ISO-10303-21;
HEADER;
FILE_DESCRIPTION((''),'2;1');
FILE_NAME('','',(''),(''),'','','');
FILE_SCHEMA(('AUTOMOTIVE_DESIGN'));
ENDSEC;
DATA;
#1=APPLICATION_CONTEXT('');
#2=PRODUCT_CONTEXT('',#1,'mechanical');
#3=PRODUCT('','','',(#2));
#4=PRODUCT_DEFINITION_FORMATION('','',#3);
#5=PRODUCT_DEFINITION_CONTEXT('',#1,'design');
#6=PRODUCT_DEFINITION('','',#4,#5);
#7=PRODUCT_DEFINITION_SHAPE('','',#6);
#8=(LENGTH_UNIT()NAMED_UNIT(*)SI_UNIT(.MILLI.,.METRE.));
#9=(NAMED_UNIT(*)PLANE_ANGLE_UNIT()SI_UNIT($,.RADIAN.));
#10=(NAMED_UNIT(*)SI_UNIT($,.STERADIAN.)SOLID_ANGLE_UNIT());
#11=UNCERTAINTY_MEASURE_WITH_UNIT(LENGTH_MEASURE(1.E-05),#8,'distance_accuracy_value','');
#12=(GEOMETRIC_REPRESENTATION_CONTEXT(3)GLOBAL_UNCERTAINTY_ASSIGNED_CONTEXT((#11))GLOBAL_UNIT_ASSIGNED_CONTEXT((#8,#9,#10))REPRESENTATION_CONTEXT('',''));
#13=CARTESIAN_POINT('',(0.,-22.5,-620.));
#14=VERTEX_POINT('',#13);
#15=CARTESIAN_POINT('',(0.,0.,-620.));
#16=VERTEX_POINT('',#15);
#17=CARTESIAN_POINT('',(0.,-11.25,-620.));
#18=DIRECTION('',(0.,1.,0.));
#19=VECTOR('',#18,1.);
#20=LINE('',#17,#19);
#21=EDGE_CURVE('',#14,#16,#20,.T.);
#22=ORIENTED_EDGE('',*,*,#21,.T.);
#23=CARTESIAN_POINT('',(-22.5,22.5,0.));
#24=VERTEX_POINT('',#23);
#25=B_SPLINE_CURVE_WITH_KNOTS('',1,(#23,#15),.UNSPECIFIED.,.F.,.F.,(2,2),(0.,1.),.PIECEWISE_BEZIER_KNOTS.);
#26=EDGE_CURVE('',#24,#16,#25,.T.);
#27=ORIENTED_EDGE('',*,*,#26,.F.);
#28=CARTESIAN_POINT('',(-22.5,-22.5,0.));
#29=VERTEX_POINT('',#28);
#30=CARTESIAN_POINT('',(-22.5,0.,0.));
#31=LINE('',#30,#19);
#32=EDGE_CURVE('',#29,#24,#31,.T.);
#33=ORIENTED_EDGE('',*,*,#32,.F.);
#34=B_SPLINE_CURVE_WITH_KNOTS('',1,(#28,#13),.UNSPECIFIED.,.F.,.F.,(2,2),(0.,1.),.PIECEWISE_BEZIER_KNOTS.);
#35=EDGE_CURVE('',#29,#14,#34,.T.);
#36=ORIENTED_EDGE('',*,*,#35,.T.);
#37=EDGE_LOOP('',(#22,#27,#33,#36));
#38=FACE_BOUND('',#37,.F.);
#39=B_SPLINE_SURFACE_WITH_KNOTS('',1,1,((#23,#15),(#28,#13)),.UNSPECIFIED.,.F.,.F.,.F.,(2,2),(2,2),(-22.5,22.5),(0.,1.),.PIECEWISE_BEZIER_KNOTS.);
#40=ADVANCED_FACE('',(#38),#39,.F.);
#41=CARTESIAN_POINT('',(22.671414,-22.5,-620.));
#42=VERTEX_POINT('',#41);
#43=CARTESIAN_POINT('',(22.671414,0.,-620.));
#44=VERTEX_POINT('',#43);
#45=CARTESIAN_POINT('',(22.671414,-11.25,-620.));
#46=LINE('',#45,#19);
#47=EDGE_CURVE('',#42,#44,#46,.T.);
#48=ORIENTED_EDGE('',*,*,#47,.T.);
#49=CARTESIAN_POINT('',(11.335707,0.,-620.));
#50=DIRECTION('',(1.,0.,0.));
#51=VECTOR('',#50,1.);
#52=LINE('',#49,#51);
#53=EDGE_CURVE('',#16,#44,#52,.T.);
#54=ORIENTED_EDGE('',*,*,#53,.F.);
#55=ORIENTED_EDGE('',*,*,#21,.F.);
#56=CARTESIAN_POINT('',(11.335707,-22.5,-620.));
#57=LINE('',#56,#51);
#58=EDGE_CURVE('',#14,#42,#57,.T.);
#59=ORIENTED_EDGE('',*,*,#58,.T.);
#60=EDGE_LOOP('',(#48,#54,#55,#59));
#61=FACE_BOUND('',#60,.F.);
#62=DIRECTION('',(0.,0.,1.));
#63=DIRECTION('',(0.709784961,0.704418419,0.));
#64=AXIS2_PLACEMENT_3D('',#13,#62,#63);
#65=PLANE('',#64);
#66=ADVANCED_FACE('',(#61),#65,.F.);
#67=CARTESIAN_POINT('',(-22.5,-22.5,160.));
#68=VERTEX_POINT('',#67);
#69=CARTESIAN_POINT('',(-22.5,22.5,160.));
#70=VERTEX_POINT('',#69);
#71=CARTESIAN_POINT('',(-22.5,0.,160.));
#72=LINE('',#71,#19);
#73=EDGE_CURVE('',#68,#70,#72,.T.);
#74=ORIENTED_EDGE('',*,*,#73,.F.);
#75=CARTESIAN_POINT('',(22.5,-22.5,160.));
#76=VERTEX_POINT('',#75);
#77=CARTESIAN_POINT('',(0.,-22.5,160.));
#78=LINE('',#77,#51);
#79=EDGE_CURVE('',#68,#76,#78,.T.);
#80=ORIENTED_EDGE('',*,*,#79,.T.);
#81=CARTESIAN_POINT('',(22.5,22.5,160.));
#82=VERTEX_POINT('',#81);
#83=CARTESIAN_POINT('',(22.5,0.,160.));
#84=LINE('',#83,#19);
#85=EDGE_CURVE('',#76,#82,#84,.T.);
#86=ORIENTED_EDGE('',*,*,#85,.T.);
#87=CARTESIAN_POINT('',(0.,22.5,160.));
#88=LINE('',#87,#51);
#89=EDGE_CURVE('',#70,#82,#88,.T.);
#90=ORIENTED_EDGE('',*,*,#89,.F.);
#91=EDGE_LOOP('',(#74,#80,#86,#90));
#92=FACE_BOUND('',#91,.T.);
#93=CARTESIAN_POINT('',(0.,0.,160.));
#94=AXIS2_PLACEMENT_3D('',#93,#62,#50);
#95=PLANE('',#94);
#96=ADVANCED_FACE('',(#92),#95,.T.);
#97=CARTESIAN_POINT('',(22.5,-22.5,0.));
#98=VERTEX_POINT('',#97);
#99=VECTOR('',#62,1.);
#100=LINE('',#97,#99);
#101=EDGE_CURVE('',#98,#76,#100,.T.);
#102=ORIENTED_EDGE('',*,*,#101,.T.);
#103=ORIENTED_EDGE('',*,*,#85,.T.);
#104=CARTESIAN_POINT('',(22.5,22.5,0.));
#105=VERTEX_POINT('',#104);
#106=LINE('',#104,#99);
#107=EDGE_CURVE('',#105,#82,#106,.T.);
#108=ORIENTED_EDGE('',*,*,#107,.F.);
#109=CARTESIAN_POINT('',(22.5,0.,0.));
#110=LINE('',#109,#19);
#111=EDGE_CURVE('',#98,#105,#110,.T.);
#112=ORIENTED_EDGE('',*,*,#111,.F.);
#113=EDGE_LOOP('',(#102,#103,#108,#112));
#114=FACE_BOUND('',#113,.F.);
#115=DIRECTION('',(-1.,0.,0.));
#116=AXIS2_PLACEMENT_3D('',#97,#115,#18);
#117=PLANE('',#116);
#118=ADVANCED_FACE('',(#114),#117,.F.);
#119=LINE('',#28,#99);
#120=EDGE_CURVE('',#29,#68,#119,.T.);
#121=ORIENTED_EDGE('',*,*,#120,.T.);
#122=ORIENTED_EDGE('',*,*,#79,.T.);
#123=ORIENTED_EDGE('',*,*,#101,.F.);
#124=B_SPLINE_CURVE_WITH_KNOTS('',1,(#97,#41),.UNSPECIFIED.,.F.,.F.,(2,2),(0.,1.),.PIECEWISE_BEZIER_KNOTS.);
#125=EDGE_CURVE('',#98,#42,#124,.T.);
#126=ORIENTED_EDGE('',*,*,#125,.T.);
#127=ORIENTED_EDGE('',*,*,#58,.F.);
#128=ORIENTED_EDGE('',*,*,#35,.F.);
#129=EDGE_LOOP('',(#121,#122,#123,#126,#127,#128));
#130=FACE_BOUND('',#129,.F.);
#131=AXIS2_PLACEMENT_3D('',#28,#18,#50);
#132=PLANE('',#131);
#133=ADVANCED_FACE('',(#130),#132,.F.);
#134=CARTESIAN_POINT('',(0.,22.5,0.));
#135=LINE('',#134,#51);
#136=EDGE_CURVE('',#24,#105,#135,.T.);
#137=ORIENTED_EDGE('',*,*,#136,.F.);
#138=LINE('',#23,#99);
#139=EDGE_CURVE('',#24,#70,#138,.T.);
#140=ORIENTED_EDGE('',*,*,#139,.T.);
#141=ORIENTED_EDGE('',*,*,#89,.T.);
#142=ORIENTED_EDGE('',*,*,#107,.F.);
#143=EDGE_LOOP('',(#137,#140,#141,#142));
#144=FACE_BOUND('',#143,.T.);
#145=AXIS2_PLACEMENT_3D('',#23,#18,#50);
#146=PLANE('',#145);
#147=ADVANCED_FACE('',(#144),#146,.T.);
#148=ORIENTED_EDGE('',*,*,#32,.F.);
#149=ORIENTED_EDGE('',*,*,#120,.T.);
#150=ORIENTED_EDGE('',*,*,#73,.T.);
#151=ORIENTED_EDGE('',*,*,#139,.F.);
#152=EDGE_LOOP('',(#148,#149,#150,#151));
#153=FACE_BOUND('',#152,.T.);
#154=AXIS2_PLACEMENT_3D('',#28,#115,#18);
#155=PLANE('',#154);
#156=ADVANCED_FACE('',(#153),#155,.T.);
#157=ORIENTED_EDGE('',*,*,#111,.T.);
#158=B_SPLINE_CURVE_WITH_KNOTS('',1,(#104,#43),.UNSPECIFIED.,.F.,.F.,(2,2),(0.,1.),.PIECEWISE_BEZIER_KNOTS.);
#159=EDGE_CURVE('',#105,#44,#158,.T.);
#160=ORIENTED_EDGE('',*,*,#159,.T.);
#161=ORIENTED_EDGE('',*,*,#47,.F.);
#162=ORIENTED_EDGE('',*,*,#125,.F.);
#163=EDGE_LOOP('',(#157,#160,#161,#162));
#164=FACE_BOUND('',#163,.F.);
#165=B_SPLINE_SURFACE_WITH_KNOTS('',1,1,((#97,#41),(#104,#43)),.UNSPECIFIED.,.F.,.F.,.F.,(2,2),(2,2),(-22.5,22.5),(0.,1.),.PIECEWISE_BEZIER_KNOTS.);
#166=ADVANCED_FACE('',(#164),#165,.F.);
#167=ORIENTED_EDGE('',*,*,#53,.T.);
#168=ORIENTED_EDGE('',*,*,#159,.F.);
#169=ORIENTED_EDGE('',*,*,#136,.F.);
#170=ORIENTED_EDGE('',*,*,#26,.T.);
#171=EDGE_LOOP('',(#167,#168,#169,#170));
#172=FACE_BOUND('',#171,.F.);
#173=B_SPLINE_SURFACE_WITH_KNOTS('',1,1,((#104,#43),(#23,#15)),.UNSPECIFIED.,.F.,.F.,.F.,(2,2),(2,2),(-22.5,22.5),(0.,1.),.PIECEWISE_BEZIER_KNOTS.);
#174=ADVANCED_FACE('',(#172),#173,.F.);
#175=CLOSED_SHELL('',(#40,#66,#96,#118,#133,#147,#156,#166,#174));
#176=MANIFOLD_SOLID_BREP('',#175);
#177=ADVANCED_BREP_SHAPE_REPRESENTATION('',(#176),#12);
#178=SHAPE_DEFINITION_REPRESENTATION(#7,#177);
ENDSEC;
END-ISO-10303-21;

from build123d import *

# Parameters (mm, degrees)
F0_W     = 45
F0_H     = 45
F2_W     = 22.671414
F2_H     = 22.5
F4_DEPTH = 160


with BuildPart() as f3:
    # F0 (on Top) → F3 section 0
    with BuildSketch(Plane.XY):
        Rectangle(F0_W, F0_H)
    # F2 (on offset) → F3 section 1
    with BuildSketch(Plane.XY.offset(-620)):
        with Locations((11.335707, -11.25)):
            Rectangle(F2_W, F2_H)
    loft()

    # F0 (on Top) → F4 (join)
    with BuildSketch(Plane.XY):
        Rectangle(F0_W, F0_H)
    extrude(amount=F4_DEPTH)


solid = f3.part
